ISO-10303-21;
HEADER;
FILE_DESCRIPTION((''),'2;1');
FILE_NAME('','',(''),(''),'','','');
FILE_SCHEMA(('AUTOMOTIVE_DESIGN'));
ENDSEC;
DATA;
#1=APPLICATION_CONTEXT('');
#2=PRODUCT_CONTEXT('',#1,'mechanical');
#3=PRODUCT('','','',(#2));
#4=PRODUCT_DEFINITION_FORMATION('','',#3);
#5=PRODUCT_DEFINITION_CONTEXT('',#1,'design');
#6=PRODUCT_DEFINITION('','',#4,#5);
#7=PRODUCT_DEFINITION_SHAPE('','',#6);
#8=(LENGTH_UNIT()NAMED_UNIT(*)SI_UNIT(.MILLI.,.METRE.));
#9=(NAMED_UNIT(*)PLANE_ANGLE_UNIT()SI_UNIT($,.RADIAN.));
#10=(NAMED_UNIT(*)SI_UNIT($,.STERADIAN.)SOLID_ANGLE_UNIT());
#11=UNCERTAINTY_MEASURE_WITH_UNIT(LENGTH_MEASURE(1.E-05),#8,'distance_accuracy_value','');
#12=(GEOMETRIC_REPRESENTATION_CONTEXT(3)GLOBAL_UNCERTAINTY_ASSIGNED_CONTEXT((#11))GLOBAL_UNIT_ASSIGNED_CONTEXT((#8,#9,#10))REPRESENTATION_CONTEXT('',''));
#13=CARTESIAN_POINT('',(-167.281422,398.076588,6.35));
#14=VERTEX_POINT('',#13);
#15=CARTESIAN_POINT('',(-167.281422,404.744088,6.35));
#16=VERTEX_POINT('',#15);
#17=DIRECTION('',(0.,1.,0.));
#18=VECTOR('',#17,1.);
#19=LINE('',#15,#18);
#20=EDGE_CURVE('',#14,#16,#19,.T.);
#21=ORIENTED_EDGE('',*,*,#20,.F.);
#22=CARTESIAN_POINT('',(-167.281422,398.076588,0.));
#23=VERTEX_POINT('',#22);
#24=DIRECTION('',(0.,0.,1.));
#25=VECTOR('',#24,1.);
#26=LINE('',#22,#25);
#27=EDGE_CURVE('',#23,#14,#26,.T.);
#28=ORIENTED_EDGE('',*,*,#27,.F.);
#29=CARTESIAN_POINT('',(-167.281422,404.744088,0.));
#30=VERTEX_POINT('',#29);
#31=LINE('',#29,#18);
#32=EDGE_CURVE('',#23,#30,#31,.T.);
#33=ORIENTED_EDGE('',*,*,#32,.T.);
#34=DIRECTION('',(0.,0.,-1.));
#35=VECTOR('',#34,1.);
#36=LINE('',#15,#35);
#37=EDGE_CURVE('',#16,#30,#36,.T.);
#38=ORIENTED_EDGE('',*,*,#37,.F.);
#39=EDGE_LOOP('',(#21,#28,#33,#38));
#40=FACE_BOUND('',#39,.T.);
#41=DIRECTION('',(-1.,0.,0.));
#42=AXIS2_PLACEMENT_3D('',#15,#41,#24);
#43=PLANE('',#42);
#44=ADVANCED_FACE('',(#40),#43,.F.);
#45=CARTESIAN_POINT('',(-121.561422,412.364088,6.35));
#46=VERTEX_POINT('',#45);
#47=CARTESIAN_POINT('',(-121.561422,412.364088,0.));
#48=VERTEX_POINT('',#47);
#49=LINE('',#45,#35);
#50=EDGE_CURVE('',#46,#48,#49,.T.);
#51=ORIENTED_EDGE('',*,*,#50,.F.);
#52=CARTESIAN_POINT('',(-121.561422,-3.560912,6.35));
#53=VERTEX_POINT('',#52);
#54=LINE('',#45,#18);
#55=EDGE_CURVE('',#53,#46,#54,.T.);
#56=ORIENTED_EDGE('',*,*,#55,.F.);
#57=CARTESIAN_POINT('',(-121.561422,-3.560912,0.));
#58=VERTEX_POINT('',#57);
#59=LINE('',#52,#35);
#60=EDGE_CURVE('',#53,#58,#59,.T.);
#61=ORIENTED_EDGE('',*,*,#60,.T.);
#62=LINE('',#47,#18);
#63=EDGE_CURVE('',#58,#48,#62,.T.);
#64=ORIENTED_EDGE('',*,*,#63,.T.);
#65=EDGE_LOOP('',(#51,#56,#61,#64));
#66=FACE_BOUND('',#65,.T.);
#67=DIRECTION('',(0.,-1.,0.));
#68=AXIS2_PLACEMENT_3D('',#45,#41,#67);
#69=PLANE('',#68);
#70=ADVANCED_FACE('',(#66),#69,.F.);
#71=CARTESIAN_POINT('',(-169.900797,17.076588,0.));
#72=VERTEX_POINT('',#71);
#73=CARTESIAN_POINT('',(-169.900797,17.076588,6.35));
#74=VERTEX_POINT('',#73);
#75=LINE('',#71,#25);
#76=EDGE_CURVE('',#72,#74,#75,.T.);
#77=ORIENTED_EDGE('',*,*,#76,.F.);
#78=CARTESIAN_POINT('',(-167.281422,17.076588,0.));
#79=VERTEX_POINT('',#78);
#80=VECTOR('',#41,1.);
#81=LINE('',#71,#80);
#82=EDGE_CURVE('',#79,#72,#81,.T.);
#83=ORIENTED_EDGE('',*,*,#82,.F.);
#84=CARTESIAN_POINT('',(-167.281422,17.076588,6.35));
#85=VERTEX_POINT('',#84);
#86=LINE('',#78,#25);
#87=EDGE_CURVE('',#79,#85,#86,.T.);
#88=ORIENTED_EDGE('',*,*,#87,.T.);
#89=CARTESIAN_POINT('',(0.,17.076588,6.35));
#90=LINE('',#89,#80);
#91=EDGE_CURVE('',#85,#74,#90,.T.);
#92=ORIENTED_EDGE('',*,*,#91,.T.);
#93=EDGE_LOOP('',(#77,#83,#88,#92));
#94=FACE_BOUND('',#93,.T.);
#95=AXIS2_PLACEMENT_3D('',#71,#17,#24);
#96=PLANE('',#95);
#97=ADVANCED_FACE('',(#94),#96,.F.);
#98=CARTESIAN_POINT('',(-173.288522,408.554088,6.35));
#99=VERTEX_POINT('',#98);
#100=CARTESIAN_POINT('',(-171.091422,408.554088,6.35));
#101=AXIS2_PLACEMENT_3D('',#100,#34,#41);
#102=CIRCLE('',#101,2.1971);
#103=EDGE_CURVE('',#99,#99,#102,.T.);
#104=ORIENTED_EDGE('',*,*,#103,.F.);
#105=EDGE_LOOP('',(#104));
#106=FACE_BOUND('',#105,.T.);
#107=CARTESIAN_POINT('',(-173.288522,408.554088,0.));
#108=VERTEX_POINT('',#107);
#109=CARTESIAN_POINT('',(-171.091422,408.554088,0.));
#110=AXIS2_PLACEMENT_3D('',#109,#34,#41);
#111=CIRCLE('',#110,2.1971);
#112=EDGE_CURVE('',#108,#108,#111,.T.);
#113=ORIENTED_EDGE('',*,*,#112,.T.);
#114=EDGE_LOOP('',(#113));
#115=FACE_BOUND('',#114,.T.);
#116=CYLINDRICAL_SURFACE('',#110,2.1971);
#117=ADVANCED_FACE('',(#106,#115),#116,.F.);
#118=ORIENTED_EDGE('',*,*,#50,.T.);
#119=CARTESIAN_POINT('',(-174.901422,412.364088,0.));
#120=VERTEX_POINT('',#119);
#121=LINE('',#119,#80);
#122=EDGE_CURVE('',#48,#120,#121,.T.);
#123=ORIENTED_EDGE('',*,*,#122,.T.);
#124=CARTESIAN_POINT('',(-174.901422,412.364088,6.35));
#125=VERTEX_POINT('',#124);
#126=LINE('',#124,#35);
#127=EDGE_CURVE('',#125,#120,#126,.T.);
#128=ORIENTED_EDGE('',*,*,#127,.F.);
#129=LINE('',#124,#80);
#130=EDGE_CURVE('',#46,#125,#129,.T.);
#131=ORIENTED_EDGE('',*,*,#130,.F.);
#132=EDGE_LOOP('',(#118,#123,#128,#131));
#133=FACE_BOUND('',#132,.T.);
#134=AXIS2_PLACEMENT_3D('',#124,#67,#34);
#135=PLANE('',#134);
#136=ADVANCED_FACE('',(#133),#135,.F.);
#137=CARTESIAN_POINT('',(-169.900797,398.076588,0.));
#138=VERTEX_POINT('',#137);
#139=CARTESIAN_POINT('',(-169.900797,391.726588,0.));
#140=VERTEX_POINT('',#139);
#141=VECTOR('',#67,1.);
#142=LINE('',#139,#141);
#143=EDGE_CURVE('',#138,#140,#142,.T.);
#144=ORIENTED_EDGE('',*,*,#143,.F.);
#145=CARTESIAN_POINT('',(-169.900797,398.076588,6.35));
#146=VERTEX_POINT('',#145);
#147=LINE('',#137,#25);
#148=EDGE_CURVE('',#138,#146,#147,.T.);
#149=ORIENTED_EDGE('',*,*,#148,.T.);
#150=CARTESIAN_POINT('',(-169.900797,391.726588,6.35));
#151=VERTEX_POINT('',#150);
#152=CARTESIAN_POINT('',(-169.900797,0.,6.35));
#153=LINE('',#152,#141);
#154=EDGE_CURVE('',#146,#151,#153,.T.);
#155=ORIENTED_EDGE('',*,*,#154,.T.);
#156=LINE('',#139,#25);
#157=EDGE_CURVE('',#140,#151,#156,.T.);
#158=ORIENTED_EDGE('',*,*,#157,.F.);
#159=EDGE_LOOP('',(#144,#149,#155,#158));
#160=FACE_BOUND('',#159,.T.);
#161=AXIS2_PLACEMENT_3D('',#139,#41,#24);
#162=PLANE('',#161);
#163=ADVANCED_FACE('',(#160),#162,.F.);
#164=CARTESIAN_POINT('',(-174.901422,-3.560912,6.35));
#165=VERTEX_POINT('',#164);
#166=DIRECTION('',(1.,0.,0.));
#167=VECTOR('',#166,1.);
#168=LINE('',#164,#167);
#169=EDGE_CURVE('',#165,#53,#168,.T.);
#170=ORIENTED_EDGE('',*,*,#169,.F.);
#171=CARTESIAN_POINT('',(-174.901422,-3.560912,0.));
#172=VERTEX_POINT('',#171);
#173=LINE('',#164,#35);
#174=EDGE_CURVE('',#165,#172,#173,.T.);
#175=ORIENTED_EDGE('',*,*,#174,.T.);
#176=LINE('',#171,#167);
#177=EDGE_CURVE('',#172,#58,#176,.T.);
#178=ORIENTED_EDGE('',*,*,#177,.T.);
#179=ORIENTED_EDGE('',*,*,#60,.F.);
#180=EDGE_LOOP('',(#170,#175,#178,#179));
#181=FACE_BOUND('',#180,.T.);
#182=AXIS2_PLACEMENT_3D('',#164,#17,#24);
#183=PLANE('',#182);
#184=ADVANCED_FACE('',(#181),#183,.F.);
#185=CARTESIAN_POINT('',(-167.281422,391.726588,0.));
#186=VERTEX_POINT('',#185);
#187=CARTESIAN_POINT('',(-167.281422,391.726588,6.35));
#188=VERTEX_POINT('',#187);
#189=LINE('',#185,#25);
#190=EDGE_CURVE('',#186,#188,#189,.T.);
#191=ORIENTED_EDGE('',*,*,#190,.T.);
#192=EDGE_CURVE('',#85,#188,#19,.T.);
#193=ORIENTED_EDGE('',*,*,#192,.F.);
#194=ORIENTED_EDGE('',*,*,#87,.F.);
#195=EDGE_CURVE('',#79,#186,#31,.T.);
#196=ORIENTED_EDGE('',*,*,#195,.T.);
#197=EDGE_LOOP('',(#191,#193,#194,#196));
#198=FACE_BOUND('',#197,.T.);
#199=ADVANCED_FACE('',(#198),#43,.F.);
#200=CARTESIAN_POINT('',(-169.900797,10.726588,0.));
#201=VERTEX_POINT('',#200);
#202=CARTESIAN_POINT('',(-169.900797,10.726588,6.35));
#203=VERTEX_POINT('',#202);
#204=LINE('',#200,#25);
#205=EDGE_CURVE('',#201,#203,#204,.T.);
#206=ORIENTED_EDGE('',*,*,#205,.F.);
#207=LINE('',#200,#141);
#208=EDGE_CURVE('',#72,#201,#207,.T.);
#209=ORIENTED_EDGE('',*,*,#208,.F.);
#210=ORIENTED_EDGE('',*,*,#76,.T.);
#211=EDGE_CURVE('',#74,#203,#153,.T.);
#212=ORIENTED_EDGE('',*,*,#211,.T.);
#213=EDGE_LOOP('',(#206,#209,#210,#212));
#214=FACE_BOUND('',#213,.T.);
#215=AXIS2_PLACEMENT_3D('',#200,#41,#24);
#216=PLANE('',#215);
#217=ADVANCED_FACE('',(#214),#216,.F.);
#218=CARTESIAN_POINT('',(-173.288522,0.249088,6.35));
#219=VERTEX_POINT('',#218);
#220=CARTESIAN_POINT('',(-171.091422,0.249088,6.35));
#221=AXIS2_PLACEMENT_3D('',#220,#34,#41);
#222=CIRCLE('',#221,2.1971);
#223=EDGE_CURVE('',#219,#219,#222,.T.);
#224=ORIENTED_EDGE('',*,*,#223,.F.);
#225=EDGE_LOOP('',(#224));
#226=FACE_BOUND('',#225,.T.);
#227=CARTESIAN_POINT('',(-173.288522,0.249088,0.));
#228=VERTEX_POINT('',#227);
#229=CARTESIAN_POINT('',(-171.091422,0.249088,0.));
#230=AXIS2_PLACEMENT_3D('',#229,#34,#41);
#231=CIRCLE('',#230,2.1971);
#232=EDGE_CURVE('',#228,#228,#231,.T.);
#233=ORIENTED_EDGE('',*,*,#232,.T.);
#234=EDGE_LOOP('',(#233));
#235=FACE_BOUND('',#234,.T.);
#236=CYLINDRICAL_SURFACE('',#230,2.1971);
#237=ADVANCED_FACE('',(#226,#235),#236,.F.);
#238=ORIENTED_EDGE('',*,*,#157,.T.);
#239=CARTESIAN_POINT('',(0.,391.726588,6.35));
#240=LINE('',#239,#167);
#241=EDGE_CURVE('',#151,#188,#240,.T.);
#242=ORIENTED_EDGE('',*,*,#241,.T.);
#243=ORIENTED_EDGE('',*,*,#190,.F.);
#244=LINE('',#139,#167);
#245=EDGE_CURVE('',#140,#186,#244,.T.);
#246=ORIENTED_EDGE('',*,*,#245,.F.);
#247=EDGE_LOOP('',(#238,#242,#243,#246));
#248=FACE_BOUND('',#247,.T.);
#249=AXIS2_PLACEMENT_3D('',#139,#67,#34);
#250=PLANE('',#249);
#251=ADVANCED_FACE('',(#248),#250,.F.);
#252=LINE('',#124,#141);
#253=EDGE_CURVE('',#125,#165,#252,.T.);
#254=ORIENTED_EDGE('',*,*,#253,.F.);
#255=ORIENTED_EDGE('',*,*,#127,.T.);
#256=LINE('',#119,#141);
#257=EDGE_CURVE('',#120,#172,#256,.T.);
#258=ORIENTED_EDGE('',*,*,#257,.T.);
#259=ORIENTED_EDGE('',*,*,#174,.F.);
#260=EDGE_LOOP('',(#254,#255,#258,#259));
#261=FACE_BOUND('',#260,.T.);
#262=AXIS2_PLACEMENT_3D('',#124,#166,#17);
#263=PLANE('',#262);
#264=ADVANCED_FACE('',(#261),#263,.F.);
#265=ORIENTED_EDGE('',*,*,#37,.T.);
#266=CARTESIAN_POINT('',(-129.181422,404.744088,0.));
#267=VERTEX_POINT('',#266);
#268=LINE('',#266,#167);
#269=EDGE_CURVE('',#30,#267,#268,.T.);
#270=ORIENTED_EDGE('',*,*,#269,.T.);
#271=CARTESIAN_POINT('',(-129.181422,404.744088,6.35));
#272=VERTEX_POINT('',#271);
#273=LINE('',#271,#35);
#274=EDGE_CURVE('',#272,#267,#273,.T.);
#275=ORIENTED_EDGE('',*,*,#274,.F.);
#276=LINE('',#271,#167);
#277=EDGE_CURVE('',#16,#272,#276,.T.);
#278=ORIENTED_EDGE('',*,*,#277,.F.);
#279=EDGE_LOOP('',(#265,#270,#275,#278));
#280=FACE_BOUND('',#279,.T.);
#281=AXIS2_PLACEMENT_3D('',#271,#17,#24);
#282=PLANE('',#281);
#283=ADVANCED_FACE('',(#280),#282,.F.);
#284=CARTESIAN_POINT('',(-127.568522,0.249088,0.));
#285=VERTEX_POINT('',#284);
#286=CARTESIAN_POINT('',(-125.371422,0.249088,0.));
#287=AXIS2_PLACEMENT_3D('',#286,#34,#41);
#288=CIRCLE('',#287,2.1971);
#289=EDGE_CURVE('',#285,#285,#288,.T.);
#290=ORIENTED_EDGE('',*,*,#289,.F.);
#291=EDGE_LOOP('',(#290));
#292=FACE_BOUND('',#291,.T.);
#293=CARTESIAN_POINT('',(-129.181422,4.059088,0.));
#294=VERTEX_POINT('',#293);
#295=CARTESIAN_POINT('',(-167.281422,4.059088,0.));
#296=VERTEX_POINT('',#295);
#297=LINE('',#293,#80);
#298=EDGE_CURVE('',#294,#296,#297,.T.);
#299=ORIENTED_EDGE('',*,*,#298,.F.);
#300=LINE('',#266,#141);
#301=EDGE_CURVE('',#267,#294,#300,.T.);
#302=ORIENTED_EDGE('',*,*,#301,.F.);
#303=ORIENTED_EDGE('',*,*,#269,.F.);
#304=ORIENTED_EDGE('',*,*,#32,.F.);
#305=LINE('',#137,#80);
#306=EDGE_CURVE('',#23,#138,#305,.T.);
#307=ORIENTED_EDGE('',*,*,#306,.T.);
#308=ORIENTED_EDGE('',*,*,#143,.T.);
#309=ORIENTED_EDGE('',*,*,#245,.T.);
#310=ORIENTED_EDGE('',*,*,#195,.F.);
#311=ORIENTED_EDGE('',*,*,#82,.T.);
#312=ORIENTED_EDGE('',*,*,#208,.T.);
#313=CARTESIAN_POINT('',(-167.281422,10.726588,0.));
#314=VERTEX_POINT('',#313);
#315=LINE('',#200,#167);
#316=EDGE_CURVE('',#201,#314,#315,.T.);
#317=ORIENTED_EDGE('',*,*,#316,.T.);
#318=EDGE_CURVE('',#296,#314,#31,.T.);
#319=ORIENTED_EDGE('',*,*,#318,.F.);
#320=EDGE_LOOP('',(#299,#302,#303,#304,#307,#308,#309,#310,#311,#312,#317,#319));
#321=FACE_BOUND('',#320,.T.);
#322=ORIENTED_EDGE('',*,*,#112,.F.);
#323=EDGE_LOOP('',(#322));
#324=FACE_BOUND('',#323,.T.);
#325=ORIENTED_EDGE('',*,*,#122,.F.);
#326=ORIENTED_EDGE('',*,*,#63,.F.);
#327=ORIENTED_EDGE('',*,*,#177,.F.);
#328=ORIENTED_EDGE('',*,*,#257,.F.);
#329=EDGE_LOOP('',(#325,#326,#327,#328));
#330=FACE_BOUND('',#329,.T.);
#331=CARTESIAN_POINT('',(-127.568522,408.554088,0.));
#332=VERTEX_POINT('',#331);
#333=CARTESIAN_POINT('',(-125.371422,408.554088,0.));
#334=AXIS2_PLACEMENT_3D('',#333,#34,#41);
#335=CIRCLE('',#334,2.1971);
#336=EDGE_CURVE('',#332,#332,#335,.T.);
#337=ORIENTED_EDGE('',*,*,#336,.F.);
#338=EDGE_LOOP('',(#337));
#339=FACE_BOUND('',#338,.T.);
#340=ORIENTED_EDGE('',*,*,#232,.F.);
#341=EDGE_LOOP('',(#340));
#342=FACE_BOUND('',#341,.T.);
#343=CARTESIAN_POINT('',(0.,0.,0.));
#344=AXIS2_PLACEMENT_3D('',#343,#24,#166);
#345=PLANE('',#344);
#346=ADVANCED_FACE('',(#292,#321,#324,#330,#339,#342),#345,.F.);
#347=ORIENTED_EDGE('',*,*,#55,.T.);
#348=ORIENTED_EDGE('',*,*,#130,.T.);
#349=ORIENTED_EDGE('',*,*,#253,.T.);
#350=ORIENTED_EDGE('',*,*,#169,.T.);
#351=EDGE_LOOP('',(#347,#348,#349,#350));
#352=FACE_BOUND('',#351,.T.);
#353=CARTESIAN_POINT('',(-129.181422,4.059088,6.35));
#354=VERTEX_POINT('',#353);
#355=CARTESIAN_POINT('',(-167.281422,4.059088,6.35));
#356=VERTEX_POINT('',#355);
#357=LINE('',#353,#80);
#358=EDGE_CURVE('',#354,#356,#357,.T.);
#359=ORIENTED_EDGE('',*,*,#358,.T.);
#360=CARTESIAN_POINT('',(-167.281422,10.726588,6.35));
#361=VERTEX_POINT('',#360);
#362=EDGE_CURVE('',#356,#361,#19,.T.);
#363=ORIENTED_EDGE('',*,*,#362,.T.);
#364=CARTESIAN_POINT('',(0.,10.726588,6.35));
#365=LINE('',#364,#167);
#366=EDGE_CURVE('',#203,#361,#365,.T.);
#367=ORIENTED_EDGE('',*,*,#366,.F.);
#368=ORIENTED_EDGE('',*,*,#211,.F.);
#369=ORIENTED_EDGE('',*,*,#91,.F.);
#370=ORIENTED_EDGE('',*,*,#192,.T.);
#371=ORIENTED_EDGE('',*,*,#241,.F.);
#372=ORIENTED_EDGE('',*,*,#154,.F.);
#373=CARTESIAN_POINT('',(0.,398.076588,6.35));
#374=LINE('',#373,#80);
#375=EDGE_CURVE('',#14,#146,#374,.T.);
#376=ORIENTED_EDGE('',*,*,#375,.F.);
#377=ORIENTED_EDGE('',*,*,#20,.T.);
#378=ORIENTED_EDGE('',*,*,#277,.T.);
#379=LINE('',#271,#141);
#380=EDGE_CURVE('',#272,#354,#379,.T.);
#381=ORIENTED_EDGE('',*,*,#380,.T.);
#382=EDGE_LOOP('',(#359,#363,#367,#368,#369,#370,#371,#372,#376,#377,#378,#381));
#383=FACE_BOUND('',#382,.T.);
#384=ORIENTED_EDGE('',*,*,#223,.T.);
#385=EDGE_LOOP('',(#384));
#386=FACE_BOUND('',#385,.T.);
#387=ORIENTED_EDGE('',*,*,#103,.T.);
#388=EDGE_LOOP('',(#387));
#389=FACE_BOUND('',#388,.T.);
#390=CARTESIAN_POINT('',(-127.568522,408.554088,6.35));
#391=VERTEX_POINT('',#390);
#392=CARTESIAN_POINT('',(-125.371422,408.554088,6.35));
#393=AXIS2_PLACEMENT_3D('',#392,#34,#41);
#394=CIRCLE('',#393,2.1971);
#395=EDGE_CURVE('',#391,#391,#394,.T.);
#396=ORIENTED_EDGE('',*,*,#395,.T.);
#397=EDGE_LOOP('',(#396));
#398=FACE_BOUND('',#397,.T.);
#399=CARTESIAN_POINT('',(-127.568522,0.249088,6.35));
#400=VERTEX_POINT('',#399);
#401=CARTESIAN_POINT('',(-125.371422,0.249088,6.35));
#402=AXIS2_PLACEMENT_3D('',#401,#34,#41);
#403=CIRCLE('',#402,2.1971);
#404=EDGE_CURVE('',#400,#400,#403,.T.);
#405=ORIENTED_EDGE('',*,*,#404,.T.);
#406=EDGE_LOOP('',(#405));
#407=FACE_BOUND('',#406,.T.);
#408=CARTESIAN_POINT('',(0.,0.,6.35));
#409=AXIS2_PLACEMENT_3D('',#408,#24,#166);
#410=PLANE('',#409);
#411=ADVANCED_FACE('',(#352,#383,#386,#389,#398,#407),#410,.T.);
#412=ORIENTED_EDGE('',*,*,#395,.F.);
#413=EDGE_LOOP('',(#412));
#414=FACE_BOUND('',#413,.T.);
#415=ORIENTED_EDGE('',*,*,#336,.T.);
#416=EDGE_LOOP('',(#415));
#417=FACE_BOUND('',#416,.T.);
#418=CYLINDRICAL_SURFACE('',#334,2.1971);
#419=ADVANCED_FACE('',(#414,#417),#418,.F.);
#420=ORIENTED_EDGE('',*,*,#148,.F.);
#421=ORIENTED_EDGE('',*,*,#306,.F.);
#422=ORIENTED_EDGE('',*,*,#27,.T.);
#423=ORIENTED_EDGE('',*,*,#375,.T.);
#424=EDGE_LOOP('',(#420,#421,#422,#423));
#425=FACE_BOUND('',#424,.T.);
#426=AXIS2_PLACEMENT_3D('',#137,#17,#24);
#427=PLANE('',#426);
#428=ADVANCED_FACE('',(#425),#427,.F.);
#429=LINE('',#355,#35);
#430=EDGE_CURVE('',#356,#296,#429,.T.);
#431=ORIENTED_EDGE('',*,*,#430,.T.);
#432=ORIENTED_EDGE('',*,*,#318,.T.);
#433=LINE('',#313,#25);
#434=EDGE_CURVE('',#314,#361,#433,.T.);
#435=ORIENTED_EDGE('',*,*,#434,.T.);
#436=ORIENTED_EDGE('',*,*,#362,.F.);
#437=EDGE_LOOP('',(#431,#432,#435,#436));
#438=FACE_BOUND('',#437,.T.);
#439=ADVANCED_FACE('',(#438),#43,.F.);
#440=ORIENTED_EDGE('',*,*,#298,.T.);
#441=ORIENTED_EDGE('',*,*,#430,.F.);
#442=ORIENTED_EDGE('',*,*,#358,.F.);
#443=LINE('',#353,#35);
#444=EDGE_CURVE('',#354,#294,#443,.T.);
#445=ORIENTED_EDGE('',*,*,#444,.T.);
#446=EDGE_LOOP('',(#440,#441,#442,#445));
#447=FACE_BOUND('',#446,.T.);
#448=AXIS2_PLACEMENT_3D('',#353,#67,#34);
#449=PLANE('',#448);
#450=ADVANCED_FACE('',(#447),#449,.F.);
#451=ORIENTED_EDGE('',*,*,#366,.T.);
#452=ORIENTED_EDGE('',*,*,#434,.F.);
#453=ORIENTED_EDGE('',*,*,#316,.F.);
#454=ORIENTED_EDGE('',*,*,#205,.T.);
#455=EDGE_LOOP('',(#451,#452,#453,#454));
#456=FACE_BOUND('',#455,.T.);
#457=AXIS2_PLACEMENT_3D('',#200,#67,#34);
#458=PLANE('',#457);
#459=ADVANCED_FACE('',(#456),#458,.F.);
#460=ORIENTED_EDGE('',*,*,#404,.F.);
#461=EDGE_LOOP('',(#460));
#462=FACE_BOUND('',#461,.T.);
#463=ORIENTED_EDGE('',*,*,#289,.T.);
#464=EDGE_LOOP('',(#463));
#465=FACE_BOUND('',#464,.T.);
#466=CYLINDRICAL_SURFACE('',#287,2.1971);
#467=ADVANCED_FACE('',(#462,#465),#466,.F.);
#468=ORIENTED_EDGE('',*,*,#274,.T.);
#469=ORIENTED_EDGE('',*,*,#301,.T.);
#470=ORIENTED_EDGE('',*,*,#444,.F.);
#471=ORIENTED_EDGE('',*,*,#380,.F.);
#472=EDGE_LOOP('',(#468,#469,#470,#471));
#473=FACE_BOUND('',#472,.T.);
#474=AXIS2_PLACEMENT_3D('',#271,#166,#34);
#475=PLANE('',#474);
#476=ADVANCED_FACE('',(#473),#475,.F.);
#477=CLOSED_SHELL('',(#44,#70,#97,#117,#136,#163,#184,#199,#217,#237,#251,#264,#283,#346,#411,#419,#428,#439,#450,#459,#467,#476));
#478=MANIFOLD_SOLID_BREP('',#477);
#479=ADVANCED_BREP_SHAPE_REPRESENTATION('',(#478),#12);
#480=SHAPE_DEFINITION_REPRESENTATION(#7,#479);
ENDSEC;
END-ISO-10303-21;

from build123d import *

# Parameters (mm, degrees)
SKETCH1_W                   = 53.34
SKETCH1_H                   = 415.925
BOSS_EXTRUDE2_DEPTH         = 6.35
SKETCH2_W                   = 38.1
SKETCH2_H                   = 400.685
CUT_EXTRUDE1_DEPTH          = 448.967600787
F_17_0_173_DIAMETER_HOLE1_D = 4.3942
CUT_EXTRUDE2_DEPTH          = 448.967600787
CUT_EXTRUDE2_DEPTH_BACK     = 448.967600787
SKETCH5_W                   = 2.619375
SKETCH5_H                   = 6.35


with BuildPart() as part:
    # Sketch1 → Boss-Extrude2 (new body)
    with BuildSketch(Plane.XY):
        with Locations((-148.231422107, 204.401588398)):
            Rectangle(SKETCH1_W, SKETCH1_H)
    extrude(amount=BOSS_EXTRUDE2_DEPTH)

    # Sketch2 → Cut-Extrude1 (cut, through all)
    with BuildSketch(Plane(origin=(0, 0, 0), x_dir=(-1, 0, 0), z_dir=(0, 0, -1))):
        with Locations((148.231422107, 204.401588398)):
            Rectangle(SKETCH2_W, SKETCH2_H)
    extrude(amount=-CUT_EXTRUDE1_DEPTH, mode=Mode.SUBTRACT)

    # #17 (0.173) Diameter Hole1 (through all)
    with Locations(Plane(origin=(0, 0, 0), x_dir=(-1, 0, 0), z_dir=(0, 0, -1))):
        with Locations((171.091422107, 408.554088398), (148.231422107, 204.401588398), (171.091422107, 0.249088398), (125.371422107, 408.554088398), (125.371422107, 0.249088398)):
            Hole(F_17_0_173_DIAMETER_HOLE1_D / 2)

    # Sketch5 → Cut-Extrude2 (cut, two sides: drawn at the far end of the back side and taken through both)
    with BuildSketch(Plane.XY.offset(6.35).offset(-CUT_EXTRUDE2_DEPTH_BACK)):
        with Locations((-168.591109607, 394.901588398)):
            Rectangle(SKETCH5_W, SKETCH5_H)
        with Locations((-168.591109607, 13.901588398)):
            Rectangle(SKETCH5_W, SKETCH5_H)
    extrude(amount=CUT_EXTRUDE2_DEPTH + CUT_EXTRUDE2_DEPTH_BACK, mode=Mode.SUBTRACT)


solid = part.part
